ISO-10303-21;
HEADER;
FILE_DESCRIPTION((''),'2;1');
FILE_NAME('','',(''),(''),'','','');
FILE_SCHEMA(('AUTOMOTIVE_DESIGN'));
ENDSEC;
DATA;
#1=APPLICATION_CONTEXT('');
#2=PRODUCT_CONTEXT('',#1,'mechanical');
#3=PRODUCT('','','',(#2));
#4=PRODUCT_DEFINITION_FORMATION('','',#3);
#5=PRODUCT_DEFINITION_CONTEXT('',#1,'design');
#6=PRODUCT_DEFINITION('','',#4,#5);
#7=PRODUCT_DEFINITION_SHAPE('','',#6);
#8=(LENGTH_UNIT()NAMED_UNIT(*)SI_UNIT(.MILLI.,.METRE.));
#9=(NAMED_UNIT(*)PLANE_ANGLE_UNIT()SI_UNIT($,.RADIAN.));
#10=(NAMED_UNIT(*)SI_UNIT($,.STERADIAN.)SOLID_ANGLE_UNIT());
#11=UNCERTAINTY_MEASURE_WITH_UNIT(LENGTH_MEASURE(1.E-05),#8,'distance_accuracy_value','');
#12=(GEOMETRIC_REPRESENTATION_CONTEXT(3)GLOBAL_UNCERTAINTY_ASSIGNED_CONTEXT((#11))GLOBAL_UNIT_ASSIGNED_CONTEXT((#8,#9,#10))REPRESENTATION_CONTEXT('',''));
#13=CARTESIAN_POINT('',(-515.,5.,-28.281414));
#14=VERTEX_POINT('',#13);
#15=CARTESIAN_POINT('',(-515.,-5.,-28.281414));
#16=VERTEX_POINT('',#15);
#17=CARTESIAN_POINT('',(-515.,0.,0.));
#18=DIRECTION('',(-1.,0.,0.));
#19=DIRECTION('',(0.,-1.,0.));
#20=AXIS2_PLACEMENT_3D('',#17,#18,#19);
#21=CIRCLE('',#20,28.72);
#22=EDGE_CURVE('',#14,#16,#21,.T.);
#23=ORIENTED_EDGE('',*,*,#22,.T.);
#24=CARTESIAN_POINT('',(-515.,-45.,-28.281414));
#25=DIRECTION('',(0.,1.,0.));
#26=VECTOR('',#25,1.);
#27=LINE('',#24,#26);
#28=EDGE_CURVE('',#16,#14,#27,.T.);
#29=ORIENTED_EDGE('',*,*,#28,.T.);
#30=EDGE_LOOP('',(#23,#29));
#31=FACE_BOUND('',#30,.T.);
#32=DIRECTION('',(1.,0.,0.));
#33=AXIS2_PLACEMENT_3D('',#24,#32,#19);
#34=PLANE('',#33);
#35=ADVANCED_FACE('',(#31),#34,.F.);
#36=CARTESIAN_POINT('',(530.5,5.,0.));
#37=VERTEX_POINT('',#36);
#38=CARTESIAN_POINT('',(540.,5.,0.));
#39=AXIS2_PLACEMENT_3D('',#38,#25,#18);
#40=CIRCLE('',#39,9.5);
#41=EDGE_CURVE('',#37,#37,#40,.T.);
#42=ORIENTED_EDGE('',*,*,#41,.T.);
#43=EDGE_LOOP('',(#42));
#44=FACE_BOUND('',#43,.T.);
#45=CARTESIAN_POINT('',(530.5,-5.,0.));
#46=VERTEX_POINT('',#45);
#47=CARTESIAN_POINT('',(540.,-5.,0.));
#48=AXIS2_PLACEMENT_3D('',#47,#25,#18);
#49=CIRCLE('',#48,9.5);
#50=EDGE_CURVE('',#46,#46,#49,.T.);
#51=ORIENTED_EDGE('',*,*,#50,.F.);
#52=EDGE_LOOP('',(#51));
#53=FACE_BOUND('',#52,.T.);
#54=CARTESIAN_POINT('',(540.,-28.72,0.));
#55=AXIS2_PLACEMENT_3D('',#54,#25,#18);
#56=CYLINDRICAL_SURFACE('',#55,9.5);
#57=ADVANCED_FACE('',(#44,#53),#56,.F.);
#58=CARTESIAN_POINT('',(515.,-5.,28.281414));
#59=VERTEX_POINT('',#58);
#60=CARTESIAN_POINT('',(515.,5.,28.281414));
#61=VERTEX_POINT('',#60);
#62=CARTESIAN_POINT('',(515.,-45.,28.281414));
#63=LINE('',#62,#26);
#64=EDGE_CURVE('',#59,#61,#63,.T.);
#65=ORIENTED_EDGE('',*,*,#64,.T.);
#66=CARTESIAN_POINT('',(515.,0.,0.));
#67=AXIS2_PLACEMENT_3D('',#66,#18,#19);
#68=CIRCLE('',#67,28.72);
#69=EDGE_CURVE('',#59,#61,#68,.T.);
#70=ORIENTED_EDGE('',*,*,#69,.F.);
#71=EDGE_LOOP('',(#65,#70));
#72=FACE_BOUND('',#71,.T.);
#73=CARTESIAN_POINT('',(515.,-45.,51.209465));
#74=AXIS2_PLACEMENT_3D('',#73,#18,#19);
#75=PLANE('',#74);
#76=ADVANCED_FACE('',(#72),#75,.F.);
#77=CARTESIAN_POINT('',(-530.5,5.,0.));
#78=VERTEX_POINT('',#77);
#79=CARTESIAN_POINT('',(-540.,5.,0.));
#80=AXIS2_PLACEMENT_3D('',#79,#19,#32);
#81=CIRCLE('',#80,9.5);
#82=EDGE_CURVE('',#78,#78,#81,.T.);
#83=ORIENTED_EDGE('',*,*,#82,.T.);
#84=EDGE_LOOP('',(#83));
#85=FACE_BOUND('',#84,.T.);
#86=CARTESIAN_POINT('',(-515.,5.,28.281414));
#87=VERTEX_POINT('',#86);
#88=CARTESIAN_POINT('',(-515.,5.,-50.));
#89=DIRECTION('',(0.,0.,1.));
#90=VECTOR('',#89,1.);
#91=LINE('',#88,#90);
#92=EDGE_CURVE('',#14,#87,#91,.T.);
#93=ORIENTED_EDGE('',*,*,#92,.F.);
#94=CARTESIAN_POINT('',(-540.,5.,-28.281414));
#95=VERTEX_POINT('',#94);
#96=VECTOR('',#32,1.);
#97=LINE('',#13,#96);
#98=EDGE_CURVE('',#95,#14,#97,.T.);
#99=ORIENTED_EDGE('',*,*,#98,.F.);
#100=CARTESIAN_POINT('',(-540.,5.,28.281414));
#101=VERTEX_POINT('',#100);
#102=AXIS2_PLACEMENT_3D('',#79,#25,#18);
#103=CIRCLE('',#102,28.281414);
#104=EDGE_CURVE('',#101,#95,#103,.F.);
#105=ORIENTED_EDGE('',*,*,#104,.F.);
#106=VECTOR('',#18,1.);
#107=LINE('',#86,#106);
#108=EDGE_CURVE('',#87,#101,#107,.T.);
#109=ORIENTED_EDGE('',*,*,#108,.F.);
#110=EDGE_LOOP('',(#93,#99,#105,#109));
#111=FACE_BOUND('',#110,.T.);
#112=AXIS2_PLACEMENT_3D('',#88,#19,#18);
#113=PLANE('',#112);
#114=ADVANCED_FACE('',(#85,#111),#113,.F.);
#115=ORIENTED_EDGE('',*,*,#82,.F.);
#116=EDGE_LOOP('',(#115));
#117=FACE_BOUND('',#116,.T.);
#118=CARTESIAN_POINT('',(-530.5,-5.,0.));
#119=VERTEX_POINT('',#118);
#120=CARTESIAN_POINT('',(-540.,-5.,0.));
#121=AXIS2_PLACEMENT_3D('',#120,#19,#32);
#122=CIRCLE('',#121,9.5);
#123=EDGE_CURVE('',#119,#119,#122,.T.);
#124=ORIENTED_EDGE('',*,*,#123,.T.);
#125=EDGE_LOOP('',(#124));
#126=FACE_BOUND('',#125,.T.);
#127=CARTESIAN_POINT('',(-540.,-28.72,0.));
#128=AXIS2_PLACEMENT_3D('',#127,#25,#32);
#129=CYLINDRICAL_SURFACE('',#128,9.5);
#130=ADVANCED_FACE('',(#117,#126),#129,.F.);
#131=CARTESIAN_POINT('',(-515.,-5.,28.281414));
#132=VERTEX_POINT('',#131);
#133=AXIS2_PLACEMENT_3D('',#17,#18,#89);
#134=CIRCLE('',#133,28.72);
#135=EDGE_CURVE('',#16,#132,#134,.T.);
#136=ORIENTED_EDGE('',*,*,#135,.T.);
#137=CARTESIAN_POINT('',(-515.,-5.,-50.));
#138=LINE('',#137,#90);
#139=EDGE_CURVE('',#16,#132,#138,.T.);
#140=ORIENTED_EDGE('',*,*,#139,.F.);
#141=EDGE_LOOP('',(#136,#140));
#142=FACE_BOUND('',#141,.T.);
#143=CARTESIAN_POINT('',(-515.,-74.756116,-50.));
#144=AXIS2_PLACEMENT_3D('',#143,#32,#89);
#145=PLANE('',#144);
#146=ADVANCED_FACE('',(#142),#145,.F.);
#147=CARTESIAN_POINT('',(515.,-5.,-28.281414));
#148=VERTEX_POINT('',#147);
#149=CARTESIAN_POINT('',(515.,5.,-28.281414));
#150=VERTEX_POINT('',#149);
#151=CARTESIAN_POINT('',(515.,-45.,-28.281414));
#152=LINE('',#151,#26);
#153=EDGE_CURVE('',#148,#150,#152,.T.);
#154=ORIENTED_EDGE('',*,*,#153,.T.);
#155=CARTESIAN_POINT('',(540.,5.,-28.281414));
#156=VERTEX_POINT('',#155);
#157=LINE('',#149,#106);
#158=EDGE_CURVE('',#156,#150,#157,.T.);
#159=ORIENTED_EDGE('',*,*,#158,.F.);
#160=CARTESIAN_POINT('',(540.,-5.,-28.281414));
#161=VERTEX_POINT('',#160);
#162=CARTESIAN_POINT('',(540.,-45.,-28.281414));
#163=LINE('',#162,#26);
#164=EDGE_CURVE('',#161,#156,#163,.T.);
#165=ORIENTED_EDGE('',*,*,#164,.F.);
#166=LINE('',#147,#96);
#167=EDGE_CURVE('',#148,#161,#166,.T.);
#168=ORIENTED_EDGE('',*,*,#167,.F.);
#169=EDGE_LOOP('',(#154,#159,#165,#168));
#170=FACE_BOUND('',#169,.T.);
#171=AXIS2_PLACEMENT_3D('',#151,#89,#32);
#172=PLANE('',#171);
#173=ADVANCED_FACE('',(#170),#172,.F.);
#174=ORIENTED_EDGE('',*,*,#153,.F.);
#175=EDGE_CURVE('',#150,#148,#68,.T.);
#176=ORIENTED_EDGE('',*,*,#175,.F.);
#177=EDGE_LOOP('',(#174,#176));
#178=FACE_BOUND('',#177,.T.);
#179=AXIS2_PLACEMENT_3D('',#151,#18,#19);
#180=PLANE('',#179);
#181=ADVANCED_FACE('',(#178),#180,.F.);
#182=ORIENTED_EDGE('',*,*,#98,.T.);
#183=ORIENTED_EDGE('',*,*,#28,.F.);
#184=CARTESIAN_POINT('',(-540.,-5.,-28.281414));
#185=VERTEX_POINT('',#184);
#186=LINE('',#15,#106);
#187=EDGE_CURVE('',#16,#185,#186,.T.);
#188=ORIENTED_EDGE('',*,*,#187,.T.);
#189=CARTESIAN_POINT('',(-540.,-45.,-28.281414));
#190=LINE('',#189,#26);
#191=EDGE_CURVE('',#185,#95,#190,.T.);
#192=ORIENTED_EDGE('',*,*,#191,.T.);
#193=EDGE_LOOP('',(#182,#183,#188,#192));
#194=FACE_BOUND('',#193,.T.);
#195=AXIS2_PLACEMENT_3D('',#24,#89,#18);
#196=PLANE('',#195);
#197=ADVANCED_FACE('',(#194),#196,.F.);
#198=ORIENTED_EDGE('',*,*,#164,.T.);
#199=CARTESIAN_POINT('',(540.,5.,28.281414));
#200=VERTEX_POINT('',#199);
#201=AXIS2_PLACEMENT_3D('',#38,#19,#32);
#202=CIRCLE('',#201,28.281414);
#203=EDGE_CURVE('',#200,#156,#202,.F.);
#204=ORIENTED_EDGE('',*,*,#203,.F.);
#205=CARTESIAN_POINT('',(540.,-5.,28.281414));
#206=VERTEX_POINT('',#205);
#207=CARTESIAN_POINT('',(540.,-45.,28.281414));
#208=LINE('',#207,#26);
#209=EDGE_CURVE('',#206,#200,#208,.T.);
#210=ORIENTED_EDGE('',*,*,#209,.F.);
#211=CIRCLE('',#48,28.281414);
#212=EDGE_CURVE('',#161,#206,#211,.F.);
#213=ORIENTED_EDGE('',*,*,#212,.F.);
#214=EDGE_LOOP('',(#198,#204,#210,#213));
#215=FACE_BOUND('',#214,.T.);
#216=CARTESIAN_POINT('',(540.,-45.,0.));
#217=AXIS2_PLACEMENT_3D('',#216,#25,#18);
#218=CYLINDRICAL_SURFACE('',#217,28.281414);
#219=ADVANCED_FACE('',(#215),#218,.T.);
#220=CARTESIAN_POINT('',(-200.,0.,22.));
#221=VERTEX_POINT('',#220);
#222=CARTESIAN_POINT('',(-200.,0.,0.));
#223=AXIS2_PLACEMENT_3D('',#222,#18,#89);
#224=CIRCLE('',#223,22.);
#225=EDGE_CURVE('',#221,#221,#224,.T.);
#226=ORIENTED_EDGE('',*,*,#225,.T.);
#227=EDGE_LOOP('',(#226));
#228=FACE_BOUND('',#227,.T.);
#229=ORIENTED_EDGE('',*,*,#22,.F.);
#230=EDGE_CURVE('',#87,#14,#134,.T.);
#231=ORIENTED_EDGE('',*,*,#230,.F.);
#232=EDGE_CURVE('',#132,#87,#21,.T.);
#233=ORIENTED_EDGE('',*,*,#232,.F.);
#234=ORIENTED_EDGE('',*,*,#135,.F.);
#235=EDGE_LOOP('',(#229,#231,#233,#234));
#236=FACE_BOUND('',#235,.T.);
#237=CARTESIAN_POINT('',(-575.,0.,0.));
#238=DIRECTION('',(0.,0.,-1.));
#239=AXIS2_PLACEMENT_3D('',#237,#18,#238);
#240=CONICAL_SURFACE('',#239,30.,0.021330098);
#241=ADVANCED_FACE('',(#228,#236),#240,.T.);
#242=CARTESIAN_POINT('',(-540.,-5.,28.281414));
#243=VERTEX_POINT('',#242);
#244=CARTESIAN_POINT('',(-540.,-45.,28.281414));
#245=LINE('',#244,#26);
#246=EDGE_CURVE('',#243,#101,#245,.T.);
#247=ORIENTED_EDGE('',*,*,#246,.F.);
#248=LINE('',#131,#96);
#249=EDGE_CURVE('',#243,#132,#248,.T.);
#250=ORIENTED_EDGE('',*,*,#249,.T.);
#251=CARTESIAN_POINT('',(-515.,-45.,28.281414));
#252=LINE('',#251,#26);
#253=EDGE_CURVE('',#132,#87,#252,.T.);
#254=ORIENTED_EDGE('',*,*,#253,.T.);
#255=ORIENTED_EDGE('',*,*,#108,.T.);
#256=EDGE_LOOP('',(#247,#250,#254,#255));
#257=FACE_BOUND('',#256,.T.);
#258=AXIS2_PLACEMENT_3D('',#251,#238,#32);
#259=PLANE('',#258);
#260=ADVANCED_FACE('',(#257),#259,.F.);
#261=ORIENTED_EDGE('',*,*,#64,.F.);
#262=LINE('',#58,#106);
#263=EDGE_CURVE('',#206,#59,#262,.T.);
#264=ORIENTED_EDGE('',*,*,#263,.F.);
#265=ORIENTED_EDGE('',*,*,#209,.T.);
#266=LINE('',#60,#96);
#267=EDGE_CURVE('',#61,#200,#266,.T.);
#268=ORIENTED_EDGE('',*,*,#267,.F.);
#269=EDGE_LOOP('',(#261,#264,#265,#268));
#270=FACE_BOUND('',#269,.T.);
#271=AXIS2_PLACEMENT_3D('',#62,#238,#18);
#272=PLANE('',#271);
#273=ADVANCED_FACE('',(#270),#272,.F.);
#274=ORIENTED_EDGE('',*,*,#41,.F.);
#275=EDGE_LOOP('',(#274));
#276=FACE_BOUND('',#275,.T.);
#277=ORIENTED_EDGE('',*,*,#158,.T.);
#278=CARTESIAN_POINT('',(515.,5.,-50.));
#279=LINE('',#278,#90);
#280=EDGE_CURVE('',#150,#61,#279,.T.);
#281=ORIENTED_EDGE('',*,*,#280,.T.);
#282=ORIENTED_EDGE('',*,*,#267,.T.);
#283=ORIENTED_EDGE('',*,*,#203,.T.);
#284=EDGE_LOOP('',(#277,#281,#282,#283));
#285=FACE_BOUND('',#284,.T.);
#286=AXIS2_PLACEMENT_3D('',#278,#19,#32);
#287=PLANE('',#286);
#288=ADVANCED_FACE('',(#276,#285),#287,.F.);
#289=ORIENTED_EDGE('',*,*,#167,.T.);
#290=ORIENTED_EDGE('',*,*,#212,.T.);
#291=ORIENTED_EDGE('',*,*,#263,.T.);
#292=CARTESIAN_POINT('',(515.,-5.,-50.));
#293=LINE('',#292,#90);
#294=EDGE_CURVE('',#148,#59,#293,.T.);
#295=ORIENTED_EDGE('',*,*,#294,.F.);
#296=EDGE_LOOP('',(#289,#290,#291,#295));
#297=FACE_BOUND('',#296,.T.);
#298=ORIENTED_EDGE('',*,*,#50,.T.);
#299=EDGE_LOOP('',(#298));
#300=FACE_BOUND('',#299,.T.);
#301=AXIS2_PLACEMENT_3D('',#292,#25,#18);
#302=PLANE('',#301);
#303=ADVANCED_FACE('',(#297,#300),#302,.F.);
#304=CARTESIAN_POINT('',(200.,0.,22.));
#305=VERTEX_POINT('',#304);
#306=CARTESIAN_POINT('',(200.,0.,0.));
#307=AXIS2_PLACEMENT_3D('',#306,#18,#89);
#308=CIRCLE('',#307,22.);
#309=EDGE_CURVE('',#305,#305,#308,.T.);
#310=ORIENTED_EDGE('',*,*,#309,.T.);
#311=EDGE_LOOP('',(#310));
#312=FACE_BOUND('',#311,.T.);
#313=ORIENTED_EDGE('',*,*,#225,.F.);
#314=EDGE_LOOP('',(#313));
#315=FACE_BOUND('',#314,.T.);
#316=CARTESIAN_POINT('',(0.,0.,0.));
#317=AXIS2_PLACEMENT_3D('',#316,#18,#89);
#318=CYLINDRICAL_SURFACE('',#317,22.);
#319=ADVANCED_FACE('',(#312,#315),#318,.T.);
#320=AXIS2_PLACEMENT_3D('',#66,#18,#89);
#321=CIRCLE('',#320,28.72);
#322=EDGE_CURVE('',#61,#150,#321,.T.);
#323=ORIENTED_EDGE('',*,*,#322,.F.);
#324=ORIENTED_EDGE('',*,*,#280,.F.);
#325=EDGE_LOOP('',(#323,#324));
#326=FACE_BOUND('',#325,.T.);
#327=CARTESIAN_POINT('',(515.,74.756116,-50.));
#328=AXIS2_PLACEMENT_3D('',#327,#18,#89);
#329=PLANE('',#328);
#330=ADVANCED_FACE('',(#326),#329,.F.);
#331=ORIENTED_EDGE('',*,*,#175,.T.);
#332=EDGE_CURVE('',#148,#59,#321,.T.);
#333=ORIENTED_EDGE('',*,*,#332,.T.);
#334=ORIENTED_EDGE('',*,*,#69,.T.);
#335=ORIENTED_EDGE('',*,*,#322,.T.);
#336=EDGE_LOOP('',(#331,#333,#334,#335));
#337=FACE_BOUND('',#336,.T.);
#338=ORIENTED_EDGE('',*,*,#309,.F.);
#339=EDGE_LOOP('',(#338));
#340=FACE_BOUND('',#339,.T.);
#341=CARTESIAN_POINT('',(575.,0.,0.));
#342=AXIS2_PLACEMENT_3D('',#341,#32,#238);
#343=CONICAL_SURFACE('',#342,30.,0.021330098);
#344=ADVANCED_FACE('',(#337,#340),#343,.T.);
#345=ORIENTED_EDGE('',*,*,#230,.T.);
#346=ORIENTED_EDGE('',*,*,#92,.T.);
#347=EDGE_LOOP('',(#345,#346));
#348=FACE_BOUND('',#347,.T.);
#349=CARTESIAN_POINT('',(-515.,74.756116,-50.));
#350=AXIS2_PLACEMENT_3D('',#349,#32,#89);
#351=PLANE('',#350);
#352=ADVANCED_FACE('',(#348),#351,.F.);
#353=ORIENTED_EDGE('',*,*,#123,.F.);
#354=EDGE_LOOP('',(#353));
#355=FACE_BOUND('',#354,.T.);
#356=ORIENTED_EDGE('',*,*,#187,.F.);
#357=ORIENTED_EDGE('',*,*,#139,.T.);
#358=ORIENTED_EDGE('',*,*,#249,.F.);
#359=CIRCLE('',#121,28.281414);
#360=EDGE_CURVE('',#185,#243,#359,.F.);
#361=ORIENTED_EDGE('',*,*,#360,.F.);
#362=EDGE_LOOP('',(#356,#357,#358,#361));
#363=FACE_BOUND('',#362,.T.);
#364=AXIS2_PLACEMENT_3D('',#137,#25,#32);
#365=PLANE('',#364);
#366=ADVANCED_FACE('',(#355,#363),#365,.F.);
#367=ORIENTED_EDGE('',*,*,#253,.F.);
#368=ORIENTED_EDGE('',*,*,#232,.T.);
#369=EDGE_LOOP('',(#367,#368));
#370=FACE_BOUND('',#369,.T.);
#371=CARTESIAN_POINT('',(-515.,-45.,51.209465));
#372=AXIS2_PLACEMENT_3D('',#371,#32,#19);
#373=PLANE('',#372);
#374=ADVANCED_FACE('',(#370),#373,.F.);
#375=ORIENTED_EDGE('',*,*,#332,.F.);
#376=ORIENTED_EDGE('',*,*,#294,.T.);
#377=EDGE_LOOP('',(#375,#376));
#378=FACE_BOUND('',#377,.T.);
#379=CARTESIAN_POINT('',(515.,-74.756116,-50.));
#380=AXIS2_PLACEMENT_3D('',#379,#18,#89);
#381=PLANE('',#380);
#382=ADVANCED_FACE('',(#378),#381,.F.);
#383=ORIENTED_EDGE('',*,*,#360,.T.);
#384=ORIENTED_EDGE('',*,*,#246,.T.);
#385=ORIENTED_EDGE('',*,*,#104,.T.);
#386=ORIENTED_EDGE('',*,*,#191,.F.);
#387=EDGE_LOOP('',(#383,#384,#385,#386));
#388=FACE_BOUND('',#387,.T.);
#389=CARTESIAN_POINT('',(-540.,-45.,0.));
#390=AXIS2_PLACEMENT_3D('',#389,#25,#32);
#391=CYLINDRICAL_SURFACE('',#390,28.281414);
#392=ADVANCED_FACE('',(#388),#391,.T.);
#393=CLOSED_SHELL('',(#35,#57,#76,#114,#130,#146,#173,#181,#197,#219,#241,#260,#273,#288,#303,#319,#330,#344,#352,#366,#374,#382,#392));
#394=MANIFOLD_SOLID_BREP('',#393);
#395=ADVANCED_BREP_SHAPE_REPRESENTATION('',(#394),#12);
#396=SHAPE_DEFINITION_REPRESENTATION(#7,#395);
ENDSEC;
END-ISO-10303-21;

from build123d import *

# Parameters (mm, degrees)
SKETCH3_W          = 100.542277019
SKETCH3_H          = 69.756116378
CUT_EXTRUDE1_DEPTH = 50
CUT_EXTRUDE2_DEPTH = 50
SKETCH5_R          = 9.5
CUT_EXTRUDE3_DEPTH = 571.004949753


with BuildPart() as part:
    # Sketch2 → Revolve1 (revolve)
    with BuildSketch(Plane(origin=(0, 0, 0), x_dir=(1, 0, 0), z_dir=(0, 1, 0)), mode=Mode.PRIVATE) as revolve1_sk:
        Polygon((0, 0), (575, 0), (575, 30), (200, 22), (0, 22), align=None)
    revolve(revolve1_sk.sketch.rotate(Axis((0, 0, 0), (1, 0, 0)), 180), axis=Axis((0, 0, 0), (1, 0, 0)))

    # Sketch3 → Cut-Extrude1 (cut, symmetric)
    with BuildSketch(Plane.XY):
        with Locations((565.27113851, 39.878058189)):
            Rectangle(SKETCH3_W, SKETCH3_H)
        with Locations((565.27113851, -39.878058189)):
            Rectangle(SKETCH3_W, SKETCH3_H)
    extrude(amount=CUT_EXTRUDE1_DEPTH, both=True, mode=Mode.SUBTRACT)

    # Sketch4 → Cut-Extrude2 (cut, symmetric)
    with BuildSketch(Plane(origin=(0, 5, 0), x_dir=(1, 0, 0), z_dir=(0, 1, 0))):
        with BuildLine():
            Line((515, 28.281414392), (540, 28.281414392))
            ThreePointArc((540, 28.281414392), (568.281414392, 0), (540, -28.281414392))
            Line((540, -28.281414392), (515, -28.281414392))
            Line((515, -28.281414392), (515, -51.209465228))
            Line((515, -51.209465228), (609.780087386, -51.209465228))
            Line((609.780087386, -51.209465228), (609.780087386, 50.020401415))
            Line((609.780087386, 50.020401415), (515, 50.020401415))
            Line((515, 50.020401415), (515, 28.281414392))
        make_face()
    extrude(amount=CUT_EXTRUDE2_DEPTH, both=True, mode=Mode.SUBTRACT)

    # Sketch5 → Cut-Extrude3 (cut, through all)
    with BuildSketch(Plane(origin=(0, 5, 0), x_dir=(1, 0, 0), z_dir=(0, 1, 0))):
        with Locations(Location((540, 0, 0), (0, 0, 180))):
            Circle(SKETCH5_R)
    extrude(amount=-CUT_EXTRUDE3_DEPTH, mode=Mode.SUBTRACT)

    # Mirror1: part across plane


with BuildPart() as part_1:
    add(part.part)
    add(part.part.mirror(Plane(origin=(0, 0, -22), x_dir=(0, 0, 1), z_dir=(1, 0, 0))))


solid = part_1.part
